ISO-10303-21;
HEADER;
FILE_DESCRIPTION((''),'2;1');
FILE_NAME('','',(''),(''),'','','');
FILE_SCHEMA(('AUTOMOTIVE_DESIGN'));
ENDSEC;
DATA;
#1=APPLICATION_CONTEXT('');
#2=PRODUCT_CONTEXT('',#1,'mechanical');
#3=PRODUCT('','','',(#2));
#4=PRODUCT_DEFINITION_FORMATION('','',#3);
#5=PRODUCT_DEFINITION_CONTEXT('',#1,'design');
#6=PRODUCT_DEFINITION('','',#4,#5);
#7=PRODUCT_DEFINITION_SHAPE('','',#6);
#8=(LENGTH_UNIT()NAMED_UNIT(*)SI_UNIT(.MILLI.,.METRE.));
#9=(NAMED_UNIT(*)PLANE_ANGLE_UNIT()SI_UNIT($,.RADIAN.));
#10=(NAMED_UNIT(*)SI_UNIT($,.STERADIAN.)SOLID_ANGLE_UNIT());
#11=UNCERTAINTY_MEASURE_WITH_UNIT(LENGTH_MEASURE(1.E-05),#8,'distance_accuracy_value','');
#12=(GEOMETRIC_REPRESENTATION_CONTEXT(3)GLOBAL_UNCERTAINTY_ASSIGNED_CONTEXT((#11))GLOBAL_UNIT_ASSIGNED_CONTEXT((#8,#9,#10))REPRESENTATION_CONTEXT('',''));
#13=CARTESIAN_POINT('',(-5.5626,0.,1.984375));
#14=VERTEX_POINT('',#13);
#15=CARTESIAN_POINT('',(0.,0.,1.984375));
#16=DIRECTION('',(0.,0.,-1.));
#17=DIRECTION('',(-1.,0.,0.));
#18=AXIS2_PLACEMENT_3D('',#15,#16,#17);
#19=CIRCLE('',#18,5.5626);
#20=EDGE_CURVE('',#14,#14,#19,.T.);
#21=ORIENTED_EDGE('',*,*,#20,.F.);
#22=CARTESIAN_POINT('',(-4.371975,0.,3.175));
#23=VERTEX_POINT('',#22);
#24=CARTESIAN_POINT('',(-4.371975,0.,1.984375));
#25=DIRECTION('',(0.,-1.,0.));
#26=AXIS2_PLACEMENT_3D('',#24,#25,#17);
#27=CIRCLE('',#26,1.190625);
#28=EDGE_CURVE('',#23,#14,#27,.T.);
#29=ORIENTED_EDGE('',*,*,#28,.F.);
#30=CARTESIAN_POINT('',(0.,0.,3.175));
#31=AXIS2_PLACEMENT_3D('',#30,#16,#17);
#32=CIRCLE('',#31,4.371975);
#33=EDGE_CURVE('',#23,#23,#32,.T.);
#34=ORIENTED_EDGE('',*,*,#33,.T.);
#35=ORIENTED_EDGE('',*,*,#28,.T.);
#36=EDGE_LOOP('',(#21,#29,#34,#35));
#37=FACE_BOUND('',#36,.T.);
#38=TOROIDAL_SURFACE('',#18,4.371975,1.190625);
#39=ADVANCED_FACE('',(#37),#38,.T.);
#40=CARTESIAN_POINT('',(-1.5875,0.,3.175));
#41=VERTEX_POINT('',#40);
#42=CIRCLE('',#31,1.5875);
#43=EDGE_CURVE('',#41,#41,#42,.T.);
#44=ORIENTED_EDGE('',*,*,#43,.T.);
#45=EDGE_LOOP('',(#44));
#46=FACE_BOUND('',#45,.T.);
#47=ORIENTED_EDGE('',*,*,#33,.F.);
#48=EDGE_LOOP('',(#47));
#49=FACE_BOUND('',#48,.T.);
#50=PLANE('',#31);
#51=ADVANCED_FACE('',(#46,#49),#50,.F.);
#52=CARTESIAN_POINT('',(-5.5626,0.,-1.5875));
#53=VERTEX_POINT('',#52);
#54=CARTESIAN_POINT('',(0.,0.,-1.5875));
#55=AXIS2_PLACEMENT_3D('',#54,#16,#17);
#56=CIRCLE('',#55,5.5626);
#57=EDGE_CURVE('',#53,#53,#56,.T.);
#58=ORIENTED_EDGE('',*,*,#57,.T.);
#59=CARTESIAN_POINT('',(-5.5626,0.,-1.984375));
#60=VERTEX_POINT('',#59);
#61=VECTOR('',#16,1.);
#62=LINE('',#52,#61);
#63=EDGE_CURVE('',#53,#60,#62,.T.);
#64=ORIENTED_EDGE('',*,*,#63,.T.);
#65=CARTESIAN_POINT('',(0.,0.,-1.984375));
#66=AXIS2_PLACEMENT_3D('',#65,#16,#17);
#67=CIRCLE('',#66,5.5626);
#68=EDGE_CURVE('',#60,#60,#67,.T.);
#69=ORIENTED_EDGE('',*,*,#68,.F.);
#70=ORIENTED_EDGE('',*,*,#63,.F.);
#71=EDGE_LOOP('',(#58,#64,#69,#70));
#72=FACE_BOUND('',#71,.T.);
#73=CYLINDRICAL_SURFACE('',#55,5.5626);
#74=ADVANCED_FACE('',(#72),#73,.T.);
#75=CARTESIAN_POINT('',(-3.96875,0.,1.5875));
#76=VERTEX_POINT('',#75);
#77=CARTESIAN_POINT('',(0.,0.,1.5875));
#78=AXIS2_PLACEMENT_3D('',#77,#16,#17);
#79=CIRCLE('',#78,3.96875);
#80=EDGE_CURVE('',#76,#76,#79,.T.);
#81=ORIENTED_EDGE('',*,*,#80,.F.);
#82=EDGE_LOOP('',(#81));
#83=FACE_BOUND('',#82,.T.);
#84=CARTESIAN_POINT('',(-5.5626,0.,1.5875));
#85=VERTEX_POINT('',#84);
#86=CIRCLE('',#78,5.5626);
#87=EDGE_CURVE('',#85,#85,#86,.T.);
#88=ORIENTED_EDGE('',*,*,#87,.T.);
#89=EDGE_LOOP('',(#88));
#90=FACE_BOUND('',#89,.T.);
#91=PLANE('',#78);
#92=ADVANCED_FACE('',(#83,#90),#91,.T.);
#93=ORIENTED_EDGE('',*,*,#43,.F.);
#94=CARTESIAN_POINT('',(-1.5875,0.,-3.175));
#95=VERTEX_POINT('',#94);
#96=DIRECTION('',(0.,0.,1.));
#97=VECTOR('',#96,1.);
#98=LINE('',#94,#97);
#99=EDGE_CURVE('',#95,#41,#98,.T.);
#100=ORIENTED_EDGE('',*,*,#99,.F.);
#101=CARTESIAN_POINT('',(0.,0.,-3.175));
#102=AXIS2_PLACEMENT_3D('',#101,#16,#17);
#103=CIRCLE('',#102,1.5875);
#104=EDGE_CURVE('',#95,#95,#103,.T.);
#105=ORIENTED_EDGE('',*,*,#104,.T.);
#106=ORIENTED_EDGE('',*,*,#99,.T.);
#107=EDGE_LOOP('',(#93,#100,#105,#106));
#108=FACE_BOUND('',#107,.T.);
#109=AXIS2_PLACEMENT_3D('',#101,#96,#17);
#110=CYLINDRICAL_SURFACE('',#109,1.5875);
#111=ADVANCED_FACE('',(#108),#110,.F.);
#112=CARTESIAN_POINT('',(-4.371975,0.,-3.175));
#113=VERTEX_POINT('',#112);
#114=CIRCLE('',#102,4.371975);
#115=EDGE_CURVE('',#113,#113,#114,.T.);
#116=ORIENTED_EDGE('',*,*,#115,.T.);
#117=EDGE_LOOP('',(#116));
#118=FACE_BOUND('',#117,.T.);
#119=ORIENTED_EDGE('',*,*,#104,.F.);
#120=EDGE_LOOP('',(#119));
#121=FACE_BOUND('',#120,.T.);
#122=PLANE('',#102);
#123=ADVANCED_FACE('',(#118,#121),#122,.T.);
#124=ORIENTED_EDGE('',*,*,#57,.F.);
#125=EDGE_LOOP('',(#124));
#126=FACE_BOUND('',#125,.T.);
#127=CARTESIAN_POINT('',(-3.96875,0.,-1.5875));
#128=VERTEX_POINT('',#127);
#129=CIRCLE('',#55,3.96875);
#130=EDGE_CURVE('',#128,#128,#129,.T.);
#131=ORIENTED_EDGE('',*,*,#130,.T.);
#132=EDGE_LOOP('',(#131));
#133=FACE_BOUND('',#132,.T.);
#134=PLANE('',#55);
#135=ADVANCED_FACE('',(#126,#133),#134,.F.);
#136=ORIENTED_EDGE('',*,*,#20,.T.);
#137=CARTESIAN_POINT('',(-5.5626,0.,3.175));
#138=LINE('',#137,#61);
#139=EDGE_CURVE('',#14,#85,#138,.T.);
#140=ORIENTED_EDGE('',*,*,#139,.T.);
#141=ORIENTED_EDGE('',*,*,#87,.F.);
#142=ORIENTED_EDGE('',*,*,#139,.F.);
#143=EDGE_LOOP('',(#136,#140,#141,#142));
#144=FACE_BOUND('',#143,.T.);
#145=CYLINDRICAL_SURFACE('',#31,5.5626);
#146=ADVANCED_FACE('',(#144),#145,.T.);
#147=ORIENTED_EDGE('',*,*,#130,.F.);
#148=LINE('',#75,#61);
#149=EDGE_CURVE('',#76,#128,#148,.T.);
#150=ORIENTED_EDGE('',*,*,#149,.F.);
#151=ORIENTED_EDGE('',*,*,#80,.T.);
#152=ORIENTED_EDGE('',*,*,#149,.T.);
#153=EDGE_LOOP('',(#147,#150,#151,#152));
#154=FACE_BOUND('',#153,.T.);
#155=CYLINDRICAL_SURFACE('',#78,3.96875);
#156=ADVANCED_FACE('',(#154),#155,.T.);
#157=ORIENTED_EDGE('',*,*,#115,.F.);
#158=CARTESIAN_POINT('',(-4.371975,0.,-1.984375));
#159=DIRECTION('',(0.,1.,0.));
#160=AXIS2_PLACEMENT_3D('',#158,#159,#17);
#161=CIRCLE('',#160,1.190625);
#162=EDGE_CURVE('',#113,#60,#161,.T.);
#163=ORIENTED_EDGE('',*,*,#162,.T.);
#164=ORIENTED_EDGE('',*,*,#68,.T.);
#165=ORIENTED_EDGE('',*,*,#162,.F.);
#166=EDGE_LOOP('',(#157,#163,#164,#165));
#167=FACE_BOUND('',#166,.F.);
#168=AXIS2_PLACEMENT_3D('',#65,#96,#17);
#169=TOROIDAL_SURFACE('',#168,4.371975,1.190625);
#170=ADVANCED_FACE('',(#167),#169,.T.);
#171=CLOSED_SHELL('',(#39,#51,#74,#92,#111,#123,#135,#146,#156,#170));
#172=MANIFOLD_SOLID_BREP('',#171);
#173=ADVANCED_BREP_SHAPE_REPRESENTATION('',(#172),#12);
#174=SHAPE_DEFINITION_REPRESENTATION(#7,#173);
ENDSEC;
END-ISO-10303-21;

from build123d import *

# Parameters (mm, degrees)
F4_R = 1.190625
F5_R = 1.190625


with BuildPart() as f3:
    # F2 (on Front) → F3 (revolve)
    with BuildSketch(Plane.XZ):
        Polygon((-1.5875, -3.175), (-1.5875, 3.175), (-5.5626, 3.175), (-5.5626, 1.5875), (-3.96875, 1.5875), (-3.96875, -1.5875), (-5.5626, -1.5875), (-5.5626, -3.175), align=None)
    revolve(axis=Axis((0, 0, 0.0240590106), (0, 0, -1)))

    # F4
    f4_edges = [f3.edges().sort_by_distance(p)[0] for p in [
        (5.5626, 0, 3.175),
    ]]
    fillet(f4_edges, radius=F4_R)

    # F5
    f5_edges = [f3.edges().sort_by_distance(p)[0] for p in [
        (5.5626, 0, -3.175),
    ]]
    fillet(f5_edges, radius=F5_R)


solid = f3.part
